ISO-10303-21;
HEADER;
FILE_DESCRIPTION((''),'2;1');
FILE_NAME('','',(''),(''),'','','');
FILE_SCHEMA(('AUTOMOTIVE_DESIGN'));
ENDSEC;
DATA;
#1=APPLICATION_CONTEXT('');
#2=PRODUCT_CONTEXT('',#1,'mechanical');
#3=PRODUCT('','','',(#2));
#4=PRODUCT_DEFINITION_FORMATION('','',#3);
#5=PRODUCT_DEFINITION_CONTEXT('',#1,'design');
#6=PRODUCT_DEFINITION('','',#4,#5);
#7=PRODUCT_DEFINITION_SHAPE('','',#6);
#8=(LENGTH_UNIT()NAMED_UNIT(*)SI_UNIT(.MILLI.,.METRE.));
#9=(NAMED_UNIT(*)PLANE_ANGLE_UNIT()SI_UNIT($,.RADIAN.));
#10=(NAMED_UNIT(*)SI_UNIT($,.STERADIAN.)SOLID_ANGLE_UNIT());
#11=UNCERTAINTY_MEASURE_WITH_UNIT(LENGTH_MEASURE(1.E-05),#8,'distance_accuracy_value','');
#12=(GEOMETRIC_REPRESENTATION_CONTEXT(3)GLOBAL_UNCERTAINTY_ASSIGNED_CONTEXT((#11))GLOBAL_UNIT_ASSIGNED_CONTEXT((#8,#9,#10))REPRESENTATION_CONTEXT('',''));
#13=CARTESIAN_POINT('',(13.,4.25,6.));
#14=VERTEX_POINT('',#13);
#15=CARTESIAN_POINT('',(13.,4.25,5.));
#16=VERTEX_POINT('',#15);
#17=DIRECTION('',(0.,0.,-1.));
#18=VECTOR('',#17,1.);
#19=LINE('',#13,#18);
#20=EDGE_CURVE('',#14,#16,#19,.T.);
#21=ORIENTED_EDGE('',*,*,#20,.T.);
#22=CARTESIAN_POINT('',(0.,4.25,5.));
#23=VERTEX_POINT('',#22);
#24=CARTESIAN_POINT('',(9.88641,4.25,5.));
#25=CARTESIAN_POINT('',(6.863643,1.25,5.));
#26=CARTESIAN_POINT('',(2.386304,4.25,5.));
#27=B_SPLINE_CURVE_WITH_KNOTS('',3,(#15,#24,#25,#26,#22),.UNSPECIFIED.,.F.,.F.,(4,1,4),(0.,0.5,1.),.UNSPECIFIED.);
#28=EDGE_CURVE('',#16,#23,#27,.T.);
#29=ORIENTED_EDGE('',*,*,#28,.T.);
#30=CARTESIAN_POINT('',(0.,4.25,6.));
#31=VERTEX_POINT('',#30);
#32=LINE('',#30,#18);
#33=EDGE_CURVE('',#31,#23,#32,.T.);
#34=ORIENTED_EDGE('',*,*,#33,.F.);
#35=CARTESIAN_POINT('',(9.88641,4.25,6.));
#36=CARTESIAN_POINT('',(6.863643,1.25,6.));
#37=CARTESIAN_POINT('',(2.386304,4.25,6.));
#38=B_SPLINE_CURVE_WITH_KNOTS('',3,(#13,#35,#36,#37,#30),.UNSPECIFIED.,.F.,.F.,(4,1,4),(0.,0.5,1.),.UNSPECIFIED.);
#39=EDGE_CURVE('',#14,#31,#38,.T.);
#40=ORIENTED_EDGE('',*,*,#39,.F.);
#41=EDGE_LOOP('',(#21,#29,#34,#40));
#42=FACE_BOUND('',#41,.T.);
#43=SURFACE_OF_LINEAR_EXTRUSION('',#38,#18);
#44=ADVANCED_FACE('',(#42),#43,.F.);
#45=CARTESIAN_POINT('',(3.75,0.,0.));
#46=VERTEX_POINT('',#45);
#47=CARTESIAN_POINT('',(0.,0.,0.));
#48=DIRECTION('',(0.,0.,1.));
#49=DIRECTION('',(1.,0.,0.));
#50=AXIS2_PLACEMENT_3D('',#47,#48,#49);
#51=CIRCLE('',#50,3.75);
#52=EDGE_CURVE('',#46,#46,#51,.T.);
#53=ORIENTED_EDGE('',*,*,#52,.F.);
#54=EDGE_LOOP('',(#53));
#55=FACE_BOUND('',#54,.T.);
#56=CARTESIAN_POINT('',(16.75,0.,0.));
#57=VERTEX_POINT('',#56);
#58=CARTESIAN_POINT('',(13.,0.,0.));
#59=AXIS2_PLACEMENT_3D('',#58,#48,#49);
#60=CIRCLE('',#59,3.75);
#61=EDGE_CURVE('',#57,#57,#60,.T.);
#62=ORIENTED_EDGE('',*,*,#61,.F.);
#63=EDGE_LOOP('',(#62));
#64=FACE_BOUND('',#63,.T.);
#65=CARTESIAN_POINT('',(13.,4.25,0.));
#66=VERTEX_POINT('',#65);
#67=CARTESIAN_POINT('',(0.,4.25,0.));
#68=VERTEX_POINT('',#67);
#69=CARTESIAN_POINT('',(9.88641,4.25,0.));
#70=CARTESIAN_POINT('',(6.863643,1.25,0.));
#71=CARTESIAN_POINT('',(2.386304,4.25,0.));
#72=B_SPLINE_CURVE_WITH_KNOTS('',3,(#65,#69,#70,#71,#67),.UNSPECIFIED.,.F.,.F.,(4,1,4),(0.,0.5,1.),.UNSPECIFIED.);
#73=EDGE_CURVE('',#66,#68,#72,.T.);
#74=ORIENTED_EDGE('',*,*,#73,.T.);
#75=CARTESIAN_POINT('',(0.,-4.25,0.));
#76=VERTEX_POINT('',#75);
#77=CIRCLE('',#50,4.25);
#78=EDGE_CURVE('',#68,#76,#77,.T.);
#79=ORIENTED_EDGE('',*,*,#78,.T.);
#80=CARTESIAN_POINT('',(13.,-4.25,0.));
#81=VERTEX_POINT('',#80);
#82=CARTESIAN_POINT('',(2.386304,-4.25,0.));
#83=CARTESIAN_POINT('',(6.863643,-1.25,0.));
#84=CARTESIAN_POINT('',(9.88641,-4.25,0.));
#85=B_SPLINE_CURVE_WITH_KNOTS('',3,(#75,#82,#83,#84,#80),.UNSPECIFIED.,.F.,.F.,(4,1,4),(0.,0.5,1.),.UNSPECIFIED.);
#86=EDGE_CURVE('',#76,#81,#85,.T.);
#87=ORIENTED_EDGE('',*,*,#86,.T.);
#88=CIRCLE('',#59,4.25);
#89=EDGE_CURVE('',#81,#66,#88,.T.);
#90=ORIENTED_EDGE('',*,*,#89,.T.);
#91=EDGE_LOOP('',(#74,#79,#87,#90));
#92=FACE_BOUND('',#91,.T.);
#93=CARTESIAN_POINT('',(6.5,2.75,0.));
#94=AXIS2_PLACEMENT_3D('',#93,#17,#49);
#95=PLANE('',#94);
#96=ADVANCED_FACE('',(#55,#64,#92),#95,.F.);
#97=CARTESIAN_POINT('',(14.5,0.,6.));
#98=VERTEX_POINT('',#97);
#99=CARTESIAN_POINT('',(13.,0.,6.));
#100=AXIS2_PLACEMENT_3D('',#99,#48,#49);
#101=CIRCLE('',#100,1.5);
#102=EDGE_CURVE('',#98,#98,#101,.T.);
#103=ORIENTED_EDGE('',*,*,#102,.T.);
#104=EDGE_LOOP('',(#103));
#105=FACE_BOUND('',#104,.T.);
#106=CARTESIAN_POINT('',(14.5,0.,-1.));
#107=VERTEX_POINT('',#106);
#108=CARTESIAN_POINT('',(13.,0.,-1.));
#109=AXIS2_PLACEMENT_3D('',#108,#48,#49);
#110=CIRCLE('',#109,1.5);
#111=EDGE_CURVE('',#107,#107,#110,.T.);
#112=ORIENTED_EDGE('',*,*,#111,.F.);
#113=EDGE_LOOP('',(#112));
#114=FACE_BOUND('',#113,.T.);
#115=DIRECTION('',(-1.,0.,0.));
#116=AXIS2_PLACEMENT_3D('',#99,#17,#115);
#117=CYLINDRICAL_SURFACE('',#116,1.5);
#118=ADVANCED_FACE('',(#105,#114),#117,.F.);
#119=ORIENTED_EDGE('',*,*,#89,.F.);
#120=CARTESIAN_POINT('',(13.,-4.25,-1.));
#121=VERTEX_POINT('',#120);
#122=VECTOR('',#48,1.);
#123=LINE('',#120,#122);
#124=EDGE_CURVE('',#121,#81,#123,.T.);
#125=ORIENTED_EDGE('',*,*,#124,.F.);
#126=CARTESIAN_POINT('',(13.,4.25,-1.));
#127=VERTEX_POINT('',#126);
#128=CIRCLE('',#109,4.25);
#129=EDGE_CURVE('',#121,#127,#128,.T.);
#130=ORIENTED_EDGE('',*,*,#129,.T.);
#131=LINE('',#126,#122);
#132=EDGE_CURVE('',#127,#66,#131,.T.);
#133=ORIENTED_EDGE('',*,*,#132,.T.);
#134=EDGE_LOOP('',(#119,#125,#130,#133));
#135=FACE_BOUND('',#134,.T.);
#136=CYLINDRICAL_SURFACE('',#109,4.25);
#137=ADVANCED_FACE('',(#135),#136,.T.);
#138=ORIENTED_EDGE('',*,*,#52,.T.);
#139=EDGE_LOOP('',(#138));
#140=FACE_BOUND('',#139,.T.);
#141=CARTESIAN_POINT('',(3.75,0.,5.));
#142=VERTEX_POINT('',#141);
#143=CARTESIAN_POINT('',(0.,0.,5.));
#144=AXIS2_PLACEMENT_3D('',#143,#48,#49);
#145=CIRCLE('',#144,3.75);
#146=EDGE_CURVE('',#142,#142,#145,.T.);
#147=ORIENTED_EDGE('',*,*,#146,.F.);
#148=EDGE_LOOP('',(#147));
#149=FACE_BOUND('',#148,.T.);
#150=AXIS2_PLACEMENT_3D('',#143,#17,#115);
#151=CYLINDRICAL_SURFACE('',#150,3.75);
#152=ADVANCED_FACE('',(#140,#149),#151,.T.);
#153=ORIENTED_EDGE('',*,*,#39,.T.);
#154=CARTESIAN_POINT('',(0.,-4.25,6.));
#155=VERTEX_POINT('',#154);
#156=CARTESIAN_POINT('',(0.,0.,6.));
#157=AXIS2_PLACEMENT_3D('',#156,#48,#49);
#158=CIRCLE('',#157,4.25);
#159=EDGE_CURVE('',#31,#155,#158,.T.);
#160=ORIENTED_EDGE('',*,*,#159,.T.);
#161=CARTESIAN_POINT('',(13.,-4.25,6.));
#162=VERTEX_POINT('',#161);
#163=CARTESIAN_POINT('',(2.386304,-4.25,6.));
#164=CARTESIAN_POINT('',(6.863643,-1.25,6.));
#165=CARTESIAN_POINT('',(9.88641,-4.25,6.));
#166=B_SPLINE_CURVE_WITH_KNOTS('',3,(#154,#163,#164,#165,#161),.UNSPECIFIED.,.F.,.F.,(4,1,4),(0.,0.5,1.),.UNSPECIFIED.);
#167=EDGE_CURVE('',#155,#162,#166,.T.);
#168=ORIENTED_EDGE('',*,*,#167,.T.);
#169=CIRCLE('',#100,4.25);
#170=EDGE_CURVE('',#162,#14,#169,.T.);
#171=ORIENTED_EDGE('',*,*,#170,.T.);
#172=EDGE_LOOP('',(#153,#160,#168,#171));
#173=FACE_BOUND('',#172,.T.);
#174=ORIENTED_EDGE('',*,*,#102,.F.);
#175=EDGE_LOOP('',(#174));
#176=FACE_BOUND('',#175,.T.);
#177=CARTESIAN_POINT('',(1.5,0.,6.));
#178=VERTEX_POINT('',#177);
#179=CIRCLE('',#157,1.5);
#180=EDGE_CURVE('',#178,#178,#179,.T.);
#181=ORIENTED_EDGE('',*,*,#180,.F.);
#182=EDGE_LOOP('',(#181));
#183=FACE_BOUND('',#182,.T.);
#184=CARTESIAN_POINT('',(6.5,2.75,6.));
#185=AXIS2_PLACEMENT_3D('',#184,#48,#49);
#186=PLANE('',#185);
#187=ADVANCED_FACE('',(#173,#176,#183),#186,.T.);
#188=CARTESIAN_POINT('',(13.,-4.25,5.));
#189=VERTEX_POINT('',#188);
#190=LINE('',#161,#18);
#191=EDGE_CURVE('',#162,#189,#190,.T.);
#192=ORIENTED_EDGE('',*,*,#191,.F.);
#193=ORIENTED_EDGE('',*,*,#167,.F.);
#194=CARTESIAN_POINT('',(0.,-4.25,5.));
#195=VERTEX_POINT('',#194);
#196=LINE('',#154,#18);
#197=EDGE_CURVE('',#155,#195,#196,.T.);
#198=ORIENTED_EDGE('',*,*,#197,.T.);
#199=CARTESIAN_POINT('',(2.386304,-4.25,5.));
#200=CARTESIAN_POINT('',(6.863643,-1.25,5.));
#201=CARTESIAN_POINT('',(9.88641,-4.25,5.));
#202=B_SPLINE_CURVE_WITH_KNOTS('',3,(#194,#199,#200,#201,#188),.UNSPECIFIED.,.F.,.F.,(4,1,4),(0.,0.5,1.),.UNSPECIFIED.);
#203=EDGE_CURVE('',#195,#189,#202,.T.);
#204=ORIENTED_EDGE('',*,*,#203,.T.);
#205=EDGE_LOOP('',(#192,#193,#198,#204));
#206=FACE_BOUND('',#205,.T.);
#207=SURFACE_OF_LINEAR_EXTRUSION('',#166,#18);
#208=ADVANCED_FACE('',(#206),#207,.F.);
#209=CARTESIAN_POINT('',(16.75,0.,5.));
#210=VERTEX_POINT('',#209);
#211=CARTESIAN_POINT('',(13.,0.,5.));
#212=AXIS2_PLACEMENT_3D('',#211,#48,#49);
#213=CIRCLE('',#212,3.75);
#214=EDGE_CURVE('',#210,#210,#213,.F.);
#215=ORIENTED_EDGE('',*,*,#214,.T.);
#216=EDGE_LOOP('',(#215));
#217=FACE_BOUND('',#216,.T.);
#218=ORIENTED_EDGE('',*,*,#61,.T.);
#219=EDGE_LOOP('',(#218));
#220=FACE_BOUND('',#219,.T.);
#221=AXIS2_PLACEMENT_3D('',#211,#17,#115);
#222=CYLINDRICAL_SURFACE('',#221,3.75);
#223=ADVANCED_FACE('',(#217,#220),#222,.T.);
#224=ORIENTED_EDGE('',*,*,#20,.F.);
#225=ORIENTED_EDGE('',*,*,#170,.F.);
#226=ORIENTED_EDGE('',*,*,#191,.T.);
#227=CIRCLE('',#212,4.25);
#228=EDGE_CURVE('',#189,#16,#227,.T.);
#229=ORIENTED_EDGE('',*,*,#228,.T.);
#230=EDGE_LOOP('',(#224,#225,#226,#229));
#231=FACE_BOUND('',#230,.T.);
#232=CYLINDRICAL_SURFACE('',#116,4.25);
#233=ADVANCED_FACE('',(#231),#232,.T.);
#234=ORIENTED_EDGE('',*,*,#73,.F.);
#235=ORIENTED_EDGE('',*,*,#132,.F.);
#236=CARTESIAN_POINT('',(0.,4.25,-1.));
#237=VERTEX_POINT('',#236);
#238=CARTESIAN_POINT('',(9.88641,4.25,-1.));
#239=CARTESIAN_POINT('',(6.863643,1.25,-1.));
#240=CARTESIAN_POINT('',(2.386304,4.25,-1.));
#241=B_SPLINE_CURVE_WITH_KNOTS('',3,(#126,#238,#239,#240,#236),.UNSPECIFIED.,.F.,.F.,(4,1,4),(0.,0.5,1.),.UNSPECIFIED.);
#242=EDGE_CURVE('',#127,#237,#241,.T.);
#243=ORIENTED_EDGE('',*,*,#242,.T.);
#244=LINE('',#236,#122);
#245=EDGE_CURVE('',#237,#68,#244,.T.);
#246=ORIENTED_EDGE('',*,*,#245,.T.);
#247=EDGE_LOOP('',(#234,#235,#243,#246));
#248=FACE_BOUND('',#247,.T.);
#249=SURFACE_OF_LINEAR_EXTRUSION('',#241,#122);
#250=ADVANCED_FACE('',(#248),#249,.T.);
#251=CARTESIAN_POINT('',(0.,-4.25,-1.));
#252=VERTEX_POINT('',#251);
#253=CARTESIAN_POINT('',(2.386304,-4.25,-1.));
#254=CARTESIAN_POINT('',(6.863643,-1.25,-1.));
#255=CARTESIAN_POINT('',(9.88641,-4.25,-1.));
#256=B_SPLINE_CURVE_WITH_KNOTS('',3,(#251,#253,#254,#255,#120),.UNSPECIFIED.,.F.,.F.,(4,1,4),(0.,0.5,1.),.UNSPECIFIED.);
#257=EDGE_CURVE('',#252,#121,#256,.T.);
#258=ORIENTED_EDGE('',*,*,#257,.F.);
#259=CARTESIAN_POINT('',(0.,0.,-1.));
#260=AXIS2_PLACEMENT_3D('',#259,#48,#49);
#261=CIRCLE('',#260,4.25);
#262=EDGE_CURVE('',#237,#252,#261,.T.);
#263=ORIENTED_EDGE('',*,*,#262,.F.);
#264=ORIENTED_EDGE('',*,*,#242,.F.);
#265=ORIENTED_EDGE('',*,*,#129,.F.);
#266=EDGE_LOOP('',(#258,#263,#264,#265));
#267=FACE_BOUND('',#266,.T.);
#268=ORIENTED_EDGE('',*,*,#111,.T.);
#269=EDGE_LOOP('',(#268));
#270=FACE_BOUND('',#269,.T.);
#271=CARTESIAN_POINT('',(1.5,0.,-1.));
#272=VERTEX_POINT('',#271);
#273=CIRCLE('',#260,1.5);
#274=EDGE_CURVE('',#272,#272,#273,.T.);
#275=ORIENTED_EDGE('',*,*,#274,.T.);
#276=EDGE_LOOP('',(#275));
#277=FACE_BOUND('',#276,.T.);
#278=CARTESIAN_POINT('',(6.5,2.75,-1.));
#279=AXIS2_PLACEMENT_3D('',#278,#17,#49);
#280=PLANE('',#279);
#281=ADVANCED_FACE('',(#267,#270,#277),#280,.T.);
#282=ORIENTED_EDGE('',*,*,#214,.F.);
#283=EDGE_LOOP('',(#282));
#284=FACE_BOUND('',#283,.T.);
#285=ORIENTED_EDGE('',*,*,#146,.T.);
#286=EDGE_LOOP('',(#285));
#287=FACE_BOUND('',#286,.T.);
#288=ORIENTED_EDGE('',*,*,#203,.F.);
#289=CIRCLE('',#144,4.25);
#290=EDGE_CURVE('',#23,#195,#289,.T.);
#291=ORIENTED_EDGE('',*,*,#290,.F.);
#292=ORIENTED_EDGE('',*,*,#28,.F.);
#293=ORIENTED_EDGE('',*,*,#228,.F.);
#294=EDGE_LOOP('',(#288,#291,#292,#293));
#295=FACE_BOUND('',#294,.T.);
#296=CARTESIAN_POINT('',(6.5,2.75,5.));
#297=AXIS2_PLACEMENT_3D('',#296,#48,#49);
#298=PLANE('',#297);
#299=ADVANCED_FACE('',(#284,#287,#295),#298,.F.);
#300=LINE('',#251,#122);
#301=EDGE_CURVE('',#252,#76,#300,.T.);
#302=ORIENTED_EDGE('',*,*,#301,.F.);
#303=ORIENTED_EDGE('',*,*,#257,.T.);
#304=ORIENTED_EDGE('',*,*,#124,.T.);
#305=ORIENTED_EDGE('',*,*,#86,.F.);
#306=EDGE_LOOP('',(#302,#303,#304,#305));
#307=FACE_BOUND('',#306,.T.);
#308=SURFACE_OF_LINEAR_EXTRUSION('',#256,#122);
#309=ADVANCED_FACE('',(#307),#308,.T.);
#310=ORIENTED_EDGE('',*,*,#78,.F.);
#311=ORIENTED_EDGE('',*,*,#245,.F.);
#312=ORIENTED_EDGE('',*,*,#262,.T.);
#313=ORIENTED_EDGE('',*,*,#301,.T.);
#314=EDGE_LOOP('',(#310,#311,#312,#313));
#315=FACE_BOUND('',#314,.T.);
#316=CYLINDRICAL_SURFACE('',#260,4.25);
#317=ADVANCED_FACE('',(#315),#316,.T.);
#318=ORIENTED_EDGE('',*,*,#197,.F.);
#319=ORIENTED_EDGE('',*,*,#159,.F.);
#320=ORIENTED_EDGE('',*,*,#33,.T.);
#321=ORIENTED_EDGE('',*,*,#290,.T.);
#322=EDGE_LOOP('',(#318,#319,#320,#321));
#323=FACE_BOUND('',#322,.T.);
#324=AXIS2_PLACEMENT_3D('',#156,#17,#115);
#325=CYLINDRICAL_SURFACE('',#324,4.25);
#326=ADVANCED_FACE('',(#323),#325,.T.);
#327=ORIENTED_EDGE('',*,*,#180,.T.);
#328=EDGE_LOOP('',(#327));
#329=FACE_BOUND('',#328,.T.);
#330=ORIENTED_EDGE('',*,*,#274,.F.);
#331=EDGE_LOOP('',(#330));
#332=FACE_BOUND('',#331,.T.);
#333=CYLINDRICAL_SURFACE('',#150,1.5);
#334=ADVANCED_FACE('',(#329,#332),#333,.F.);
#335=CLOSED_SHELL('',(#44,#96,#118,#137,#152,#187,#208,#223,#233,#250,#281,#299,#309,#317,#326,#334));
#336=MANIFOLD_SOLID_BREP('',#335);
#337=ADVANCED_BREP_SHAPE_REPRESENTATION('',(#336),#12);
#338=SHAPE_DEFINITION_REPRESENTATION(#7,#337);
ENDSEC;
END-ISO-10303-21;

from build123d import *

# Parameters (mm, degrees)
SKETCH1_R             = 3.75
SKETCH1_R_2           = 1.5
BOSS_EXTRUDE1_DEPTH   = 5
BOSS_EXTRUDE1_2_DEPTH = 5
SKETCH2_R             = 1.5
BOSS_EXTRUDE2_DEPTH   = 1


with BuildPart() as part:
    # Sketch1 → Boss-Extrude1 (new body)
    with BuildSketch(Plane.XY):
        Circle(SKETCH1_R)
        Circle(SKETCH1_R_2, mode=Mode.SUBTRACT)
    extrude(amount=BOSS_EXTRUDE1_DEPTH)



with BuildPart() as body_2:
    # Sketch1 → Boss-Extrude1 2 (new body)
    with BuildSketch(Plane.XY):
        with Locations((13, 0)):
            Circle(SKETCH1_R)
        with Locations((13, 0)):
            Circle(SKETCH1_R_2, mode=Mode.SUBTRACT)
    extrude(amount=BOSS_EXTRUDE1_2_DEPTH)


with BuildPart() as part_1:
    add(part.part)

    add(body_2.part)  # Boss-Extrude2 merges body 2
    # Sketch2 → Boss-Extrude2 (add)
    with BuildSketch(Plane.XY.offset(5)):
        with BuildLine():
            ThreePointArc((0, 4.25), (-4.25, 0), (0, -4.25))
            add(Edge.make_bspline(
                [(0, -4.25), (2.386303511, -4.25), (6.863643386, -1.25), (9.886409718, -4.25), (13, -4.25)],
                knots=[0, 0, 0, 0, 0.5, 1, 1, 1, 1], degree=3))
            ThreePointArc((13, -4.25), (17.25, 0), (13, 4.25))
            add(Edge.make_bspline(
                [(0, 4.25), (2.386303511, 4.25), (6.863643386, 1.25), (9.886409718, 4.25), (13, 4.25)],
                knots=[0, 0, 0, 0, 0.5, 1, 1, 1, 1], degree=3))
        make_face()
        Circle(SKETCH2_R, mode=Mode.SUBTRACT)
        with Locations((13, 0)):
            Circle(SKETCH2_R, mode=Mode.SUBTRACT)
    boss_extrude2 = extrude(amount=BOSS_EXTRUDE2_DEPTH)

    # Mirror1: Boss-Extrude2 across plane
    add(boss_extrude2.mirror(Plane(origin=(0, 0, 2.5), x_dir=(1, 0, 0), z_dir=(0, 0, -1))))


solid = part_1.part
